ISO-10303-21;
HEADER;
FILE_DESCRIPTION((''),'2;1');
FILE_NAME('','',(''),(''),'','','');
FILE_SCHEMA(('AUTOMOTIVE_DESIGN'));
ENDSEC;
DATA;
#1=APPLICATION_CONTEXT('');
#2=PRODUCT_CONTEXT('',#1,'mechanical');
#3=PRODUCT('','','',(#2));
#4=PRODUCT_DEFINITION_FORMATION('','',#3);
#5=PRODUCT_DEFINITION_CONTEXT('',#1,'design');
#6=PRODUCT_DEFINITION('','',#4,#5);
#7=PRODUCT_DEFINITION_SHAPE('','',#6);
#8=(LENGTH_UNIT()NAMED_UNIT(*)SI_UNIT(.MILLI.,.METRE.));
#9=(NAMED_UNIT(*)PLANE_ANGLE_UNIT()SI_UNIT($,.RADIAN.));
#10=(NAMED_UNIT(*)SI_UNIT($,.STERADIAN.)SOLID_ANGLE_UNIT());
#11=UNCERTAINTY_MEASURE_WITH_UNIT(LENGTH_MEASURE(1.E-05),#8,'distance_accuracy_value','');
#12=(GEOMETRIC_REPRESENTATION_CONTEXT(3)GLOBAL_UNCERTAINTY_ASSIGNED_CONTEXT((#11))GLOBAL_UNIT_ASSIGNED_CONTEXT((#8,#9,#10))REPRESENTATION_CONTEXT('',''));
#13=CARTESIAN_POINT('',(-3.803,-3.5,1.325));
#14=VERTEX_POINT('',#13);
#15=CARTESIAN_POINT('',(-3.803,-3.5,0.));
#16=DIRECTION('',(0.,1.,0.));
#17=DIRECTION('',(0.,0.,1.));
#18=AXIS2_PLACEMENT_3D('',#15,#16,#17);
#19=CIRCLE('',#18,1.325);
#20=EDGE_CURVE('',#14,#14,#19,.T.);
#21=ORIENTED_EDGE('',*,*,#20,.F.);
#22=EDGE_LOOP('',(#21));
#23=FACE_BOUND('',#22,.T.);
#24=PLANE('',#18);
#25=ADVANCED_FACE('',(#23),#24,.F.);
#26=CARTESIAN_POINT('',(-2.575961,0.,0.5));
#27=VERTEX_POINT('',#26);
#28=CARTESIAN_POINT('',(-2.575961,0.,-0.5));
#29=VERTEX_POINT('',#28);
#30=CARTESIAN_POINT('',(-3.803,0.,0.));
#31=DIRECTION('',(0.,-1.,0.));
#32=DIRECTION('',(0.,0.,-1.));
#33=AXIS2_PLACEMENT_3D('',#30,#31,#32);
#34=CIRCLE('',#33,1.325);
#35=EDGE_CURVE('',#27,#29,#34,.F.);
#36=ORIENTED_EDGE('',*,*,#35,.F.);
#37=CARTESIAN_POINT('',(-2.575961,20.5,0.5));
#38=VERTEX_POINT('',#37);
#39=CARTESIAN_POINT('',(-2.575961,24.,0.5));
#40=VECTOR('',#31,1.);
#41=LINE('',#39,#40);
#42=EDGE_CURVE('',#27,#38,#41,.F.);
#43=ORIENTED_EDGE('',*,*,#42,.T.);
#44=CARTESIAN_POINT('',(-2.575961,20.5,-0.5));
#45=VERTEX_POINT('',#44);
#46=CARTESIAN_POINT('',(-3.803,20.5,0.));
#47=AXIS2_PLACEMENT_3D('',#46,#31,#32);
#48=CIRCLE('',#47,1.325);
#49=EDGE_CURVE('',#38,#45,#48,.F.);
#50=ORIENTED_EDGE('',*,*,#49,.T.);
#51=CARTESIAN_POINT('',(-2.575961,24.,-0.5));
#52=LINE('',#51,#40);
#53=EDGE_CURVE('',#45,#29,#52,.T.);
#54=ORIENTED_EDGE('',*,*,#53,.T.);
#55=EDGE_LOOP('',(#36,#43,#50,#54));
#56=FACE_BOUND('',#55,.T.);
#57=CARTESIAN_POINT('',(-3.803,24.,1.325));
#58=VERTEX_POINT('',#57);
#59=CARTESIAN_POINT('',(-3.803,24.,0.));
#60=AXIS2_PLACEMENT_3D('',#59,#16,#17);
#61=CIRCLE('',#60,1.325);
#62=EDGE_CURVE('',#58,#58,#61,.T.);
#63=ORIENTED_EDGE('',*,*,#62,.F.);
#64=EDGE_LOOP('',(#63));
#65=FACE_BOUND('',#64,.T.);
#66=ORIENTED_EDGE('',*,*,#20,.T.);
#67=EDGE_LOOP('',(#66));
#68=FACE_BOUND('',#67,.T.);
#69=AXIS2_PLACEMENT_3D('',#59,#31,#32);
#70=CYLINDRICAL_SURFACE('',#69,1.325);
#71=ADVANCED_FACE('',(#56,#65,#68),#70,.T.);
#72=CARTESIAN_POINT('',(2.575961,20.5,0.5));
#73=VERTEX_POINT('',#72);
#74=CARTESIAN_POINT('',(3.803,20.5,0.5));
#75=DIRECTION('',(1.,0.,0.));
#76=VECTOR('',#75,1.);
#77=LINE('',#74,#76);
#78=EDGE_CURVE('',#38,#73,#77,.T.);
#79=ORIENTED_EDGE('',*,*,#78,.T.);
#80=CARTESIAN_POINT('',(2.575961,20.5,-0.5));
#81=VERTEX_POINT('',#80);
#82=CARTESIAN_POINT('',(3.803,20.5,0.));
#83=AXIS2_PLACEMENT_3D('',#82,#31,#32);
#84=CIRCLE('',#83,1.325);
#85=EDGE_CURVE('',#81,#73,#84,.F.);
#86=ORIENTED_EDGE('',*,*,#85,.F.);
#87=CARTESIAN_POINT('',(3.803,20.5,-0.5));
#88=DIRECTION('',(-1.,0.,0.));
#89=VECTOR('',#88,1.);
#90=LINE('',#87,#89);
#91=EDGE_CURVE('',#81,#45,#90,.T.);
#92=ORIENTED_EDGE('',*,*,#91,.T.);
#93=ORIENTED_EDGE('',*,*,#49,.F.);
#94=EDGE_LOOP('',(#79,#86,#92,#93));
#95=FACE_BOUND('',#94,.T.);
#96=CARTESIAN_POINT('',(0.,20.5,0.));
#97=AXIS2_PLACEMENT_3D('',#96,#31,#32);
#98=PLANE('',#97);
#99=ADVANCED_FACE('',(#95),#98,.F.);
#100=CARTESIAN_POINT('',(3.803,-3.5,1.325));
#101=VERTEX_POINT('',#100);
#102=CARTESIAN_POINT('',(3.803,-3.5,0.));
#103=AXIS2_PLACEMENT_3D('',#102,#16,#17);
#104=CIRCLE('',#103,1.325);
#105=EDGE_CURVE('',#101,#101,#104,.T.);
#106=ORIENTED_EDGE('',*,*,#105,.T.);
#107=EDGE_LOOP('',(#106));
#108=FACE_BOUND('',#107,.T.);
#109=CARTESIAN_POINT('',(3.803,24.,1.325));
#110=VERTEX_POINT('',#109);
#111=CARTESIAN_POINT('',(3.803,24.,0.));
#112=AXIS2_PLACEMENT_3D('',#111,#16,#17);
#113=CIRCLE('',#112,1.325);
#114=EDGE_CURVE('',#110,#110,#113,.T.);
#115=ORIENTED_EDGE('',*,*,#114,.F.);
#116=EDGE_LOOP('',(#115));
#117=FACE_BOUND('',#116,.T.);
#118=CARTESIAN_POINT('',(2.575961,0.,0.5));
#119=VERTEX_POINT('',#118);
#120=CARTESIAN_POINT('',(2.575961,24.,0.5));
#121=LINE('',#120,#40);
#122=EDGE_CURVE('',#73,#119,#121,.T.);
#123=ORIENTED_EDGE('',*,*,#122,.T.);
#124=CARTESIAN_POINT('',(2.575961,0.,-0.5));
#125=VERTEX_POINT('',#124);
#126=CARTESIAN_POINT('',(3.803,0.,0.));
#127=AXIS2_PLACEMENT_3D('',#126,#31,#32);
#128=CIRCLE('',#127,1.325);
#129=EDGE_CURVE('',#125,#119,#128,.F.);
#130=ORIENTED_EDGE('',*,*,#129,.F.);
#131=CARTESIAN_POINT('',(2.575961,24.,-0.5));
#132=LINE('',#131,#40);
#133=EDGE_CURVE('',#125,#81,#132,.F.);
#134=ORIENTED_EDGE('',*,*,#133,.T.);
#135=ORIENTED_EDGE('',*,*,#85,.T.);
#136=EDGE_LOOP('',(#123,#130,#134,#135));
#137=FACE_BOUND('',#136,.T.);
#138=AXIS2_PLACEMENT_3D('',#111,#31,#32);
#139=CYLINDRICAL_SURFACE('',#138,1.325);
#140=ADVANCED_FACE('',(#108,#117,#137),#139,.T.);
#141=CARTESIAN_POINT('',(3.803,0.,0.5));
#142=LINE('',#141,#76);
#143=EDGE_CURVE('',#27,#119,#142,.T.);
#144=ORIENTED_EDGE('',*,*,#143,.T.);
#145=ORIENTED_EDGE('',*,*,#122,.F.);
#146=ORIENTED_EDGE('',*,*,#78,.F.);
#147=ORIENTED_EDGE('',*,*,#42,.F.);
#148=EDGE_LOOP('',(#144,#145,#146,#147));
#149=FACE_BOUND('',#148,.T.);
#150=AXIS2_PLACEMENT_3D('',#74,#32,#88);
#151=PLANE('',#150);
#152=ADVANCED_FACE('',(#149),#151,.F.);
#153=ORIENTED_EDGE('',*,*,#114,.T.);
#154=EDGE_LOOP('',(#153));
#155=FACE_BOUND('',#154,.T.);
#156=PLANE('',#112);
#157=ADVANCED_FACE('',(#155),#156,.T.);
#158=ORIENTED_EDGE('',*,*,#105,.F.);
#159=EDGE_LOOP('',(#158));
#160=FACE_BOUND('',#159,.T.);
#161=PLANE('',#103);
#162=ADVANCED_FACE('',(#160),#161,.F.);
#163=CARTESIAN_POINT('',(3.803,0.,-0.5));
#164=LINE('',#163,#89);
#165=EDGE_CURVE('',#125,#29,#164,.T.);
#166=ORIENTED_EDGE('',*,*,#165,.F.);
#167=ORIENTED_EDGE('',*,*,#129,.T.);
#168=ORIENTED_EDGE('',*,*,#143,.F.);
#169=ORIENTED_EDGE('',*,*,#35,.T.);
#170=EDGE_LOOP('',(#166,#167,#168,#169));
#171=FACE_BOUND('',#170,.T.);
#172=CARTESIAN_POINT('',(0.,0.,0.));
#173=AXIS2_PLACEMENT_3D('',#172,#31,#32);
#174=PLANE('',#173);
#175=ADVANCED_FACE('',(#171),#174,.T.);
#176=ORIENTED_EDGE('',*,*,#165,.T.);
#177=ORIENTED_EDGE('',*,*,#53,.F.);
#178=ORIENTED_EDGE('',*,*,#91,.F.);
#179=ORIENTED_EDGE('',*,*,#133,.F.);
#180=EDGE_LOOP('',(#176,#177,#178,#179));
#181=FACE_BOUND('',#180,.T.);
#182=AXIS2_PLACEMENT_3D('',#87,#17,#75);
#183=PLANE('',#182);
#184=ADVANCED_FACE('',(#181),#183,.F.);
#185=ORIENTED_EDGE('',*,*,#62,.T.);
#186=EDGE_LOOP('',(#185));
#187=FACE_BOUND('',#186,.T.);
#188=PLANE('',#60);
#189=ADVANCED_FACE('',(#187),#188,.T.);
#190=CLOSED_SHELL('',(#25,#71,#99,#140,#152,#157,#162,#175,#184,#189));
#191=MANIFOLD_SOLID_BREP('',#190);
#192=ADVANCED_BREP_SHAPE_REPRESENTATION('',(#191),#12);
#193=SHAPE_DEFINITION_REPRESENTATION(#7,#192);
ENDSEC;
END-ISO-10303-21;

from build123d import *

# Parameters (mm, degrees)
SKETCH1_W           = 7.606
SKETCH1_H           = 1
BOSS_EXTRUDE1_DEPTH = 20.5
SKETCH2_R           = 1.325
BOSS_EXTRUDE2_DEPTH = 13.75


with BuildPart() as part:
    # Sketch1 → Boss-Extrude1 (new body)
    with BuildSketch(Plane(origin=(0, 0, 0), x_dir=(1, 0, 0), z_dir=(0, 1, 0))):
        Rectangle(SKETCH1_W, SKETCH1_H)
    extrude(amount=BOSS_EXTRUDE1_DEPTH)

    # Sketch2 → Boss-Extrude2 (add, symmetric)
    with BuildSketch(Plane(origin=(0, 10.25, 0), x_dir=(1, 0, 0), z_dir=(0, 1, 0))):
        with Locations(Location((-3.803, 0, 0), (0, 0, 270))):
            Circle(SKETCH2_R)
        with Locations(Location((3.803, 0, 0), (0, 0, 270))):
            Circle(SKETCH2_R)
    extrude(amount=BOSS_EXTRUDE2_DEPTH, both=True)


solid = part.part
